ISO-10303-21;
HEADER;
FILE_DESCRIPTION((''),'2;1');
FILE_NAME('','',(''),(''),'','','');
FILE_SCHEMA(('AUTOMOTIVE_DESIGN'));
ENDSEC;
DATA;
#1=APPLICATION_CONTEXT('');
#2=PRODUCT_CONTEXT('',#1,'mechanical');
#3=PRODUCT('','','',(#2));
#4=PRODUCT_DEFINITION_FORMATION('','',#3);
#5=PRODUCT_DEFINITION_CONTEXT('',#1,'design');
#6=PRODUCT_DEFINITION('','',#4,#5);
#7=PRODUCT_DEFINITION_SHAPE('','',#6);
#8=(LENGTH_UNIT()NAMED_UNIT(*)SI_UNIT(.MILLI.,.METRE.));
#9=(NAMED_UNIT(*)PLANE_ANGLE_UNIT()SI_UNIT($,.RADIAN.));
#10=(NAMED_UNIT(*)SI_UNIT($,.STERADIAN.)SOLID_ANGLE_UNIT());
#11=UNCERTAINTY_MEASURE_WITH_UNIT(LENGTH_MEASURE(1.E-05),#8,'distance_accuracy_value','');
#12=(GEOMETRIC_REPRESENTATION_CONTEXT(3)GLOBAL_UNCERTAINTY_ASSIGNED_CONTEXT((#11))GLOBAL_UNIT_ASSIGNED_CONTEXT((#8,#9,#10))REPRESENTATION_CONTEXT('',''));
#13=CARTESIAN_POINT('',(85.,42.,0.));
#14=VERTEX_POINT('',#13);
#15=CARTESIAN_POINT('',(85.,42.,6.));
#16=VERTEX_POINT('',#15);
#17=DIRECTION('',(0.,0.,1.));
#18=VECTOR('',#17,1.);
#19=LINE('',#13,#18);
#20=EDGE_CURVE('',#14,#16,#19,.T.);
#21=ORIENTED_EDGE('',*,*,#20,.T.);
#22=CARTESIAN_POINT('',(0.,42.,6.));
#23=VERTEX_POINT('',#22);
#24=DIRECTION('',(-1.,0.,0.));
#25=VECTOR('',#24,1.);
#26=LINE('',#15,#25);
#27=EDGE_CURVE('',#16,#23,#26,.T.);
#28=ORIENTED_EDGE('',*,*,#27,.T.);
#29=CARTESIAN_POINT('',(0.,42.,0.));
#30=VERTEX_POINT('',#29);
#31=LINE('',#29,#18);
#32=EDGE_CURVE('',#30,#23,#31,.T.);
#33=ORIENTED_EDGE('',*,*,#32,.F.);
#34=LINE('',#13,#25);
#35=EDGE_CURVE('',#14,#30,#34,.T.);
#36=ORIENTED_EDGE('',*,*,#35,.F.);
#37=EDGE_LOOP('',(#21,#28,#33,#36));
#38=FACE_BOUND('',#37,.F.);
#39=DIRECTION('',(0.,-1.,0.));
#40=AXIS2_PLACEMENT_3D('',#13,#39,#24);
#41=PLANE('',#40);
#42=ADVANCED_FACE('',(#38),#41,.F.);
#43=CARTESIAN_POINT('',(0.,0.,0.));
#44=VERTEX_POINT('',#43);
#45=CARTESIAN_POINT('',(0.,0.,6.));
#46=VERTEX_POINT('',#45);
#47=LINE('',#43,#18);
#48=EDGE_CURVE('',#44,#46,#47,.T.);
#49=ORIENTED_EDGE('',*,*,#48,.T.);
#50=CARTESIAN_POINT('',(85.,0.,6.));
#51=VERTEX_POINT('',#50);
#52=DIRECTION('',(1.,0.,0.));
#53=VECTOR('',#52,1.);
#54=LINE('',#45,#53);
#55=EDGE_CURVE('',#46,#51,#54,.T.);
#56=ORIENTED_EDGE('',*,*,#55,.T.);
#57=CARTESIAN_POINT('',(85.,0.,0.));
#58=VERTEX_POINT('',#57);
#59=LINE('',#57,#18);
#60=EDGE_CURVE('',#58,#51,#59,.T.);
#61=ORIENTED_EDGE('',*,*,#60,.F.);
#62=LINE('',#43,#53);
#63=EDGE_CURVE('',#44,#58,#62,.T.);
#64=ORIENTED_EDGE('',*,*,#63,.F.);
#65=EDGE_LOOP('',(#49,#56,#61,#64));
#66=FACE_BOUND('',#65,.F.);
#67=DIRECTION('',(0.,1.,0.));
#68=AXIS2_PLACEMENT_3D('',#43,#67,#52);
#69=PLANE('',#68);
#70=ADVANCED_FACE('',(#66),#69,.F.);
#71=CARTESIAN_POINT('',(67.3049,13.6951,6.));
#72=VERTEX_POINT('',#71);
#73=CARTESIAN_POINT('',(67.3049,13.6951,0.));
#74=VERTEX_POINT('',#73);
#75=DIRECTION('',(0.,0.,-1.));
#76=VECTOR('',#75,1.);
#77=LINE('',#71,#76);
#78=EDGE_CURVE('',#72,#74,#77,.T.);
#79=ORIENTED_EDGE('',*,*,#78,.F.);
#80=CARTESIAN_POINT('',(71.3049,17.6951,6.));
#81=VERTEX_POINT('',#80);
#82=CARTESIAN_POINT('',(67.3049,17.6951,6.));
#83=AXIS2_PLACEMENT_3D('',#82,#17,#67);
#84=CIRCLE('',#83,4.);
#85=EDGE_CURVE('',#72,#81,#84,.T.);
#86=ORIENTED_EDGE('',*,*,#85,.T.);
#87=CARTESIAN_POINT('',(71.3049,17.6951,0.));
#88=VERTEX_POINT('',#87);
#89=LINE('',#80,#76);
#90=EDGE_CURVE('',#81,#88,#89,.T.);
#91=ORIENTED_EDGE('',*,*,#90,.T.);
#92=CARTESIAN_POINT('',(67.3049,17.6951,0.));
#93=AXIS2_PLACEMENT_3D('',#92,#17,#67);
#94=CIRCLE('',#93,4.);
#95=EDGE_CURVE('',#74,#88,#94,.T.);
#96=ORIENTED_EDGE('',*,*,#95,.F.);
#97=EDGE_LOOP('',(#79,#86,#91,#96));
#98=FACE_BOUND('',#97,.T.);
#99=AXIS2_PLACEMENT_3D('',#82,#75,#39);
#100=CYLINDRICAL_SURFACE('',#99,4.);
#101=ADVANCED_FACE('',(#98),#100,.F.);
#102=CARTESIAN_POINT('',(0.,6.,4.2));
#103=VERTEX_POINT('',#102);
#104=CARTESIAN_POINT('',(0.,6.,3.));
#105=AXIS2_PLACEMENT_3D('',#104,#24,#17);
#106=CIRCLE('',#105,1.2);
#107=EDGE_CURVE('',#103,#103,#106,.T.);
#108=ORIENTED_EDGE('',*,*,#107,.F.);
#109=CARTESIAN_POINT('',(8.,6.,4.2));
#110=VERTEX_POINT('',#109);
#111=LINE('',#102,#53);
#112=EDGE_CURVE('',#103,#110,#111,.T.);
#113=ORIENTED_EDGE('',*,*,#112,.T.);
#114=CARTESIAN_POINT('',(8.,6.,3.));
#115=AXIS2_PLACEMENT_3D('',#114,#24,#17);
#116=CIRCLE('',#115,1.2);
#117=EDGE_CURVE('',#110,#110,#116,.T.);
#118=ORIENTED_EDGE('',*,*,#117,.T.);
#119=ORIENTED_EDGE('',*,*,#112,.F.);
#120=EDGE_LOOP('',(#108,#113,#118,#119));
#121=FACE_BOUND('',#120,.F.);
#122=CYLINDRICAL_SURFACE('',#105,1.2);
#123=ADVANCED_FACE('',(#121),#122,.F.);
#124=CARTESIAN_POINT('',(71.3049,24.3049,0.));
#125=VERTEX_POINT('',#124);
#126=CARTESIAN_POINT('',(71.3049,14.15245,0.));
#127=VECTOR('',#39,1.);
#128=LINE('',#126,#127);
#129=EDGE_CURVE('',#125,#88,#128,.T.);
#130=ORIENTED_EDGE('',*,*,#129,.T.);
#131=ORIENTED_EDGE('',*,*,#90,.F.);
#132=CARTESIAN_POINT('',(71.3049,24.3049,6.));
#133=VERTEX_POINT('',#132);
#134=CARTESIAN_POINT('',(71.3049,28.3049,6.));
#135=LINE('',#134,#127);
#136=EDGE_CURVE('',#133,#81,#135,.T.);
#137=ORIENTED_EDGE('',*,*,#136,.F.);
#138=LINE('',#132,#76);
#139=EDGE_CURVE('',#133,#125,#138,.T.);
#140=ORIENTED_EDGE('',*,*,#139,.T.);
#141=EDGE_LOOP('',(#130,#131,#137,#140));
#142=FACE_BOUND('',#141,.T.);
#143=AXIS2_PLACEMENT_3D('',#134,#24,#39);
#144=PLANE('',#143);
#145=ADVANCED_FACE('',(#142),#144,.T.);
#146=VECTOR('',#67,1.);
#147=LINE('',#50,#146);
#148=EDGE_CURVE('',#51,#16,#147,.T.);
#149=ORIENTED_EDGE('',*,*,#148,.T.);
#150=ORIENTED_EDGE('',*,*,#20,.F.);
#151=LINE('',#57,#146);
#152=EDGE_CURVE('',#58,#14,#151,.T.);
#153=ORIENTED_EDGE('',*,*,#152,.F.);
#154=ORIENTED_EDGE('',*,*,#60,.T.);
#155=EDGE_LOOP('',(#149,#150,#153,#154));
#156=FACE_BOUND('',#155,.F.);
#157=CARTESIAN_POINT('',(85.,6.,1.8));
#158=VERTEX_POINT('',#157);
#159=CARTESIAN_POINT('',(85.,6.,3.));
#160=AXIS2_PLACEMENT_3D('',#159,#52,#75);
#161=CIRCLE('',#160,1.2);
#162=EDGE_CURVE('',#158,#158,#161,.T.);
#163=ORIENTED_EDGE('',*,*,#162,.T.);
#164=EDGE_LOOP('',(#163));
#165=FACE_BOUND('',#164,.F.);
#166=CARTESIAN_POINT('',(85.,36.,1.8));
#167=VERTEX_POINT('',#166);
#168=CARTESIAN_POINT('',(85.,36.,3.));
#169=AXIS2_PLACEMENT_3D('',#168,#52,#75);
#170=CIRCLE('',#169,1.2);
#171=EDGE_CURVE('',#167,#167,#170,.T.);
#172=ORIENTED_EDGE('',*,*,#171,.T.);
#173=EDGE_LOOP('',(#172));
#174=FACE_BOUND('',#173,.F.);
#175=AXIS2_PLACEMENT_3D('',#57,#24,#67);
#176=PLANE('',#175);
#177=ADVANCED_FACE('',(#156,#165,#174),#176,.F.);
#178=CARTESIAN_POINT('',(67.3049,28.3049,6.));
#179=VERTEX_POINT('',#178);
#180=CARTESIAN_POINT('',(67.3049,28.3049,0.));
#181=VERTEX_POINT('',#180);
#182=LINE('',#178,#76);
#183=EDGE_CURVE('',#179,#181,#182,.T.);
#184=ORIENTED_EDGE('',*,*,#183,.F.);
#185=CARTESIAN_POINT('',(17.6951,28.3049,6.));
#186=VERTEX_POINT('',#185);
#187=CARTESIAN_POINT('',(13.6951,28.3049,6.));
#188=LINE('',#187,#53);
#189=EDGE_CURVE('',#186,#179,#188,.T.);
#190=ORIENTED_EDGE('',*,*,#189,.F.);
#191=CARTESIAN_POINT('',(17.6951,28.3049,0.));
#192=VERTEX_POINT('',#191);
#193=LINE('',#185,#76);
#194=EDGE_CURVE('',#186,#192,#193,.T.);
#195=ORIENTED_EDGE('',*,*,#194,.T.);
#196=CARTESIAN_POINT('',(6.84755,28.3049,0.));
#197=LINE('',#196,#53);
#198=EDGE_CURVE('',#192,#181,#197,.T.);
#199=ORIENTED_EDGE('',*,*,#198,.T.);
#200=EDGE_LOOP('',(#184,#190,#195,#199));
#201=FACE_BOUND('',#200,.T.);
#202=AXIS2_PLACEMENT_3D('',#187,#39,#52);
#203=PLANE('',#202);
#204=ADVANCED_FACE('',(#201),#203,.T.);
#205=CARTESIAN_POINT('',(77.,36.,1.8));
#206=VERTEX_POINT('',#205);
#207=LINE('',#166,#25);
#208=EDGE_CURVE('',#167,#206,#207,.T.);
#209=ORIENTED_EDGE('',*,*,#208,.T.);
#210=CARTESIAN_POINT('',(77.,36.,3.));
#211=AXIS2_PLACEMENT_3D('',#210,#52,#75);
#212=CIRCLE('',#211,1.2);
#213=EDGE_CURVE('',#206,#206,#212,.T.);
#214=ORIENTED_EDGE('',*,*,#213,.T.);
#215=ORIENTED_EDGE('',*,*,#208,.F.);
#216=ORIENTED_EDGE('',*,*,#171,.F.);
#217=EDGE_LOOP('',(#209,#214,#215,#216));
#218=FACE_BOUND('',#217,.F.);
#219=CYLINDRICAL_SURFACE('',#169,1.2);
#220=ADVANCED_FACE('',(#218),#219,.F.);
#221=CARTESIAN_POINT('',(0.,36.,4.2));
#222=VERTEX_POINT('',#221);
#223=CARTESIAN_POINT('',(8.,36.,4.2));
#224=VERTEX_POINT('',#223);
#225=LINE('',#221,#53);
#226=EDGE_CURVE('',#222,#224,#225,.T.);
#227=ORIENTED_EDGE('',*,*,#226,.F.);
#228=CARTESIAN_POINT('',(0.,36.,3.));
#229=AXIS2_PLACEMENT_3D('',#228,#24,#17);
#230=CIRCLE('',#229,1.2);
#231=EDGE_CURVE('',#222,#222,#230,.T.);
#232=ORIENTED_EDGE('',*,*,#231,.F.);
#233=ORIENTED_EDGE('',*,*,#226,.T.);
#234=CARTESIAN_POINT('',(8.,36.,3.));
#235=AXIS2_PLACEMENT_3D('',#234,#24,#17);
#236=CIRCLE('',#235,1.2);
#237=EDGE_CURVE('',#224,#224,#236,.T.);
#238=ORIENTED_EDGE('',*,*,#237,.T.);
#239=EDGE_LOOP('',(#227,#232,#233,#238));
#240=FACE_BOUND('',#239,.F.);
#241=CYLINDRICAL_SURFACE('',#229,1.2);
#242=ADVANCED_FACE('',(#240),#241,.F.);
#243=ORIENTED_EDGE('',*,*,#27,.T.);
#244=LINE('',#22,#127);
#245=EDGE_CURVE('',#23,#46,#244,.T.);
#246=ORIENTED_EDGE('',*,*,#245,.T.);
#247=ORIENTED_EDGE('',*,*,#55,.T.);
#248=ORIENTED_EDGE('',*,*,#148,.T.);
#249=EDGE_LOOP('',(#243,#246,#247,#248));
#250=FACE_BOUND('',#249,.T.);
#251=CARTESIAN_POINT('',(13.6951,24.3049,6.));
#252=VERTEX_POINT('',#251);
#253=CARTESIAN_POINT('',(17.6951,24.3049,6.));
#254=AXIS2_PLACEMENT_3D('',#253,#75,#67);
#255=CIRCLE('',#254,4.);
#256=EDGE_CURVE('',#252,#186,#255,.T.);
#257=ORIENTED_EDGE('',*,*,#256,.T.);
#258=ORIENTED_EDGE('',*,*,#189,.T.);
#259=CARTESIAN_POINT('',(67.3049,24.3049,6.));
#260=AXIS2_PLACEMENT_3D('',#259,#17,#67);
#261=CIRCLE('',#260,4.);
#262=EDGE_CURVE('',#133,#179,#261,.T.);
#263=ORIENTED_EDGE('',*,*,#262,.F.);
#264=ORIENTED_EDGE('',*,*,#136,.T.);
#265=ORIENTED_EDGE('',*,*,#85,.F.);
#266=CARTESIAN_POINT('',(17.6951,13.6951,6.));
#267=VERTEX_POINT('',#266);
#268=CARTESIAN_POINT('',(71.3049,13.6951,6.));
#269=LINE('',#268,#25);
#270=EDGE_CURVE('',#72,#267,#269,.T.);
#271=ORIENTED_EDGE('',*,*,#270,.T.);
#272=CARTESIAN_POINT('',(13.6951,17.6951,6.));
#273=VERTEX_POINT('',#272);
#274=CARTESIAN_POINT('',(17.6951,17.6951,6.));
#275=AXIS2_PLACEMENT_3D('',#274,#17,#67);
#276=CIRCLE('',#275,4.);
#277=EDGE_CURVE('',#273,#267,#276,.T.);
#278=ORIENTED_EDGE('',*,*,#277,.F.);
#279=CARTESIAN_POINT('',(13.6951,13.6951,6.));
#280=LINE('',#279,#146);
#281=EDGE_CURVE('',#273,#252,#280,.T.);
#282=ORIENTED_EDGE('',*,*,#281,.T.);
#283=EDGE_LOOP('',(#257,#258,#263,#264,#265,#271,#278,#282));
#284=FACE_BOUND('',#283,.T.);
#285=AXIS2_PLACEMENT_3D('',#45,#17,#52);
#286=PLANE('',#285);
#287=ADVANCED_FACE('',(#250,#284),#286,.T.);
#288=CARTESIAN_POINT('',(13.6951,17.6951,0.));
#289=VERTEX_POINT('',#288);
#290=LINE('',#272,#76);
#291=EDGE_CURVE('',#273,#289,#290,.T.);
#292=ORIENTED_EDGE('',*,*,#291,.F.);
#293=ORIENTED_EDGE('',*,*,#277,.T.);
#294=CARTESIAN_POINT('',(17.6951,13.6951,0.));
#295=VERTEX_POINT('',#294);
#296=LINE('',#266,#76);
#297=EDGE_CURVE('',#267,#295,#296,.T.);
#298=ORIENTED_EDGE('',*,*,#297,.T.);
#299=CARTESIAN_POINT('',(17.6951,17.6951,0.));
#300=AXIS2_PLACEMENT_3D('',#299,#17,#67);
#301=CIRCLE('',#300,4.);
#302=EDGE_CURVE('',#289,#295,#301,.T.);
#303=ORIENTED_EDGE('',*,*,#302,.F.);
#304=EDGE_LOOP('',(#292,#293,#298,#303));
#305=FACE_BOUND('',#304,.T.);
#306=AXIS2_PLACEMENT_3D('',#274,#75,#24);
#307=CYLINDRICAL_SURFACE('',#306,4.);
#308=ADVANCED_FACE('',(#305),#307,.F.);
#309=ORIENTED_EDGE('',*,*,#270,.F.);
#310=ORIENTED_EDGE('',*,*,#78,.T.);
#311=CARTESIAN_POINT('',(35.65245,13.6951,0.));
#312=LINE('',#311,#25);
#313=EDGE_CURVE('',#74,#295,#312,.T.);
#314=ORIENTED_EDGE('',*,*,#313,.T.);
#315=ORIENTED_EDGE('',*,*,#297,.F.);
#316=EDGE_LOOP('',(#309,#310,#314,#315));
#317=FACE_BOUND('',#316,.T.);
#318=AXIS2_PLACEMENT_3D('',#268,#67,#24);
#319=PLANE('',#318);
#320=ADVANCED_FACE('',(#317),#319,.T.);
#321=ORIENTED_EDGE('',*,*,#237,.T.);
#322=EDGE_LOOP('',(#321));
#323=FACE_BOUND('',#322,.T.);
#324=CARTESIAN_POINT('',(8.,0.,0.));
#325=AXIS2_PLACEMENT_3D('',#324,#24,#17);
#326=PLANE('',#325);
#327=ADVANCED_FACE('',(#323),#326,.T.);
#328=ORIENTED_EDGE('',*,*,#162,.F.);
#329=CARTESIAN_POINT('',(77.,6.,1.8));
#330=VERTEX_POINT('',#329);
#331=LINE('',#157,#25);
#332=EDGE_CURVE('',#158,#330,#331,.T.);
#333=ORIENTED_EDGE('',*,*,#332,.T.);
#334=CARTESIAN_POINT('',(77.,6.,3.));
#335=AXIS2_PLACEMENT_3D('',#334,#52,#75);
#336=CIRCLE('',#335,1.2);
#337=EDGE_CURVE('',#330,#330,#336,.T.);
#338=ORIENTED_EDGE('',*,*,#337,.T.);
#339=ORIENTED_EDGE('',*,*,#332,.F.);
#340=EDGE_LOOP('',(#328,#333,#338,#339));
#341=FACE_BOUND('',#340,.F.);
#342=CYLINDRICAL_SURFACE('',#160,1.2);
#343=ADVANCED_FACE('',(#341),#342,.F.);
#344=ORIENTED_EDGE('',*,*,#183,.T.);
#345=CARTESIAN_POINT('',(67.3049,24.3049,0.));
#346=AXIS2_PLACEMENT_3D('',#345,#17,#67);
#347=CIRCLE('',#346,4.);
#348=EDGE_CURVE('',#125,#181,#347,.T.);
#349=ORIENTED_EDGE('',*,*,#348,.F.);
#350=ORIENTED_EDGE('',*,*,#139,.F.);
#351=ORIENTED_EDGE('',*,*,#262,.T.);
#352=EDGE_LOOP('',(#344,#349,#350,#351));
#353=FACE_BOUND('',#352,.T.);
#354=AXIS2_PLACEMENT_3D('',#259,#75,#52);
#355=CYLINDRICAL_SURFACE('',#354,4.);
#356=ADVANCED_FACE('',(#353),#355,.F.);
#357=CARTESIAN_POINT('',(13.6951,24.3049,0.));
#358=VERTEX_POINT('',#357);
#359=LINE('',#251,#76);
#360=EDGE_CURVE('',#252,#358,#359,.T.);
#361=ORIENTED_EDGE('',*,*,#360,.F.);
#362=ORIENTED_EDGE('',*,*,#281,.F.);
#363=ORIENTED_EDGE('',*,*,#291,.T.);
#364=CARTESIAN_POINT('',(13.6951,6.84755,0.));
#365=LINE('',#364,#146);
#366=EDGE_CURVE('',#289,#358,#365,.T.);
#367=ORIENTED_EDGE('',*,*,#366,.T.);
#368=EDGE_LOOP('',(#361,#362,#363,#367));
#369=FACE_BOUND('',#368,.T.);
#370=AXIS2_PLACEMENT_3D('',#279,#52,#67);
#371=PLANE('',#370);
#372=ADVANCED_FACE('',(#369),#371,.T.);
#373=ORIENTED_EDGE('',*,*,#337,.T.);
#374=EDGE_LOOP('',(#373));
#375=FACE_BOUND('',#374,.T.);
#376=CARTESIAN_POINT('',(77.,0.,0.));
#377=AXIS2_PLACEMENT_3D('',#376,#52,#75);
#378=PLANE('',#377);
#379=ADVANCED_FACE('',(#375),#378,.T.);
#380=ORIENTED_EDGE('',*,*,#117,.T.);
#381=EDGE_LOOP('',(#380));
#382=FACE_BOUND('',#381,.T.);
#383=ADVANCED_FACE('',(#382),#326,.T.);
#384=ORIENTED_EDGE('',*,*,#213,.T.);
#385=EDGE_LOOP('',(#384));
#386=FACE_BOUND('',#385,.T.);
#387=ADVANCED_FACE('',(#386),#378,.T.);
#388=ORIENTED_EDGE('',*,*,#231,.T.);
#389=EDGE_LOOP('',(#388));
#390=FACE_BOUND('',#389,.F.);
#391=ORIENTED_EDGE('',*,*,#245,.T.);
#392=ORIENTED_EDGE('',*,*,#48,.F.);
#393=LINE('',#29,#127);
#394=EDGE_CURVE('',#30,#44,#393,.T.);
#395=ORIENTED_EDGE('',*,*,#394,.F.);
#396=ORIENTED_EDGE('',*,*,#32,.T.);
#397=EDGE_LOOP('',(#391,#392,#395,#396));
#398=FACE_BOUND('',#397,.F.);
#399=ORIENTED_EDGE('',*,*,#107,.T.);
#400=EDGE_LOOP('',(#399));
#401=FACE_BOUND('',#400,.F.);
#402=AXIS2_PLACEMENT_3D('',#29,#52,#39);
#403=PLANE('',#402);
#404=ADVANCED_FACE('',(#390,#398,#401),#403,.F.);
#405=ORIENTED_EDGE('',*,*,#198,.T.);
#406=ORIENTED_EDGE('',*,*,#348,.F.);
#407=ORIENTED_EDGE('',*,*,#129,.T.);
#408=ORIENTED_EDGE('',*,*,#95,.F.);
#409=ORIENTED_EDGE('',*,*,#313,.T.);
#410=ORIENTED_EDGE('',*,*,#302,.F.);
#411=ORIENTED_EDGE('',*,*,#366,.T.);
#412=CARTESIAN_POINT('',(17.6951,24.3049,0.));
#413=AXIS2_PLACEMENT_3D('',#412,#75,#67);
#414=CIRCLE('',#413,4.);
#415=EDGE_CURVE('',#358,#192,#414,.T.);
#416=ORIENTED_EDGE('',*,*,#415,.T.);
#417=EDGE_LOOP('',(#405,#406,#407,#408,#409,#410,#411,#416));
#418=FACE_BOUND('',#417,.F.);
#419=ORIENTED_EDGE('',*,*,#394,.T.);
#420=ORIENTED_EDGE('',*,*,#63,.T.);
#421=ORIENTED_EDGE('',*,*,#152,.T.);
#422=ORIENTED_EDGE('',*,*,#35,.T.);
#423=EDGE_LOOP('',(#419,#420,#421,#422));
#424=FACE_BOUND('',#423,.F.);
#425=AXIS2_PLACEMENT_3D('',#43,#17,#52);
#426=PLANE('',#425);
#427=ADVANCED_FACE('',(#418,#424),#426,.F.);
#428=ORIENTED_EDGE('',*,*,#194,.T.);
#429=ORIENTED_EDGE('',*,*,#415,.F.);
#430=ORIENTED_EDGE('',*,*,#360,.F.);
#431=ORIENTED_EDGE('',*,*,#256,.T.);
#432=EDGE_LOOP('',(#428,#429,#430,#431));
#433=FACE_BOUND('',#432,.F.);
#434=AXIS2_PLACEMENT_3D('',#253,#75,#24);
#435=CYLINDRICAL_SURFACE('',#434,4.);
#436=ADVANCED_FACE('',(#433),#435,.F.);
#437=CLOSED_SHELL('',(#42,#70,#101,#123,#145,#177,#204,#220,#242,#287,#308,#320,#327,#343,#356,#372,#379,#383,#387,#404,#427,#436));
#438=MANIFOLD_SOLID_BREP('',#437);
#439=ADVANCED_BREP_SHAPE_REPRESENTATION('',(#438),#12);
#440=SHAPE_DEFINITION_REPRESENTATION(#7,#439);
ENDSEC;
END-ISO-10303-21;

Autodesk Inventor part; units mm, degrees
ref_plane "YZ Plane" through (0, 0, 0) normal (1, 0, 0) x (0, 1, 0)
ref_plane "XZ Plane" through (0, 0, 0) normal (0, 1, 0) x (-1, 0, 0)
ref_plane "XY Plane" through (0, 0, 0) normal (0, 0, 1) x (1, 0, 0)
sketch "スケッチ1" plane through (0, 0, 0) normal (0, 0, 1) x (1, 0, 0)
  line L0 (0, 0) -> (85, 0)
  line L1 (85, 0) -> (85, 42)
  line L2 (85, 42) -> (0, 42)
  line L3 (0, 42) -> (0, 0)
  dimension "d0" = 85
  dimension "d1" = 42
extrude "押し出し1" add sketch "スケッチ1" along normal blind 6
sketch "スケッチ2" plane through (0, 0, 0) normal (-1, 0, 0) x (0, 0, 1)
  circle A0 centre (3, 36) radius 1.2
  circle A1 centre (3, 6) radius 1.2
  line L0 (0, 42) -> (6, 42) projected
  line L1 (0, 0) -> (6, 0) projected
  dimension "d4" = 2.4
  dimension "d5" = 2.4
  dimension "d6" = 6
  dimension "d7" = 6
extrude "押し出し2" cut sketch "スケッチ2" against normal blind 8
sketch "スケッチ3" plane through (85, 0, 0) normal (1, 0, 0) x (0, 0, -1)
  circle A0 centre (-3, 6) radius 1.2 projected
  circle A1 centre (-3, 6) radius 1.2
  circle A2 centre (-3, 36) radius 1.2 projected
  circle A3 centre (-3, 36) radius 1.2
  point P0 (0, 0)
extrude "押し出し3" cut sketch "スケッチ3" against normal blind 8
sketch "スケッチ4" plane through (0, 0, 6) normal (0, 0, 1) x (1, 0, 0)
  line L0 (0, 0) -> (85, 0) projected
  line L1 (85, 0) -> (85, 42) projected
  line L2 (85, 42) -> (0, 42) projected
  line L3 (0, 42) -> (0, 0) projected
  line L4 (13.6951, 28.3049) -> (71.3049, 28.3049)
  line L5 (71.3049, 28.3049) -> (71.3049, 13.6951)
  line L6 (71.3049, 13.6951) -> (13.6951, 13.6951)
  line L7 (13.6951, 13.6951) -> (13.6951, 28.3049)
extrude "押し出し4" cut sketch "スケッチ4" against normal blind 10 contours L4 L5 L6 L7
fillet "フィレット1" radius 4 4 edges at (13.6951, 28.3049, 3) (13.6951, 13.6951, 3) (71.3049, 13.6951, 3) (71.3049, 28.3049, 3)
